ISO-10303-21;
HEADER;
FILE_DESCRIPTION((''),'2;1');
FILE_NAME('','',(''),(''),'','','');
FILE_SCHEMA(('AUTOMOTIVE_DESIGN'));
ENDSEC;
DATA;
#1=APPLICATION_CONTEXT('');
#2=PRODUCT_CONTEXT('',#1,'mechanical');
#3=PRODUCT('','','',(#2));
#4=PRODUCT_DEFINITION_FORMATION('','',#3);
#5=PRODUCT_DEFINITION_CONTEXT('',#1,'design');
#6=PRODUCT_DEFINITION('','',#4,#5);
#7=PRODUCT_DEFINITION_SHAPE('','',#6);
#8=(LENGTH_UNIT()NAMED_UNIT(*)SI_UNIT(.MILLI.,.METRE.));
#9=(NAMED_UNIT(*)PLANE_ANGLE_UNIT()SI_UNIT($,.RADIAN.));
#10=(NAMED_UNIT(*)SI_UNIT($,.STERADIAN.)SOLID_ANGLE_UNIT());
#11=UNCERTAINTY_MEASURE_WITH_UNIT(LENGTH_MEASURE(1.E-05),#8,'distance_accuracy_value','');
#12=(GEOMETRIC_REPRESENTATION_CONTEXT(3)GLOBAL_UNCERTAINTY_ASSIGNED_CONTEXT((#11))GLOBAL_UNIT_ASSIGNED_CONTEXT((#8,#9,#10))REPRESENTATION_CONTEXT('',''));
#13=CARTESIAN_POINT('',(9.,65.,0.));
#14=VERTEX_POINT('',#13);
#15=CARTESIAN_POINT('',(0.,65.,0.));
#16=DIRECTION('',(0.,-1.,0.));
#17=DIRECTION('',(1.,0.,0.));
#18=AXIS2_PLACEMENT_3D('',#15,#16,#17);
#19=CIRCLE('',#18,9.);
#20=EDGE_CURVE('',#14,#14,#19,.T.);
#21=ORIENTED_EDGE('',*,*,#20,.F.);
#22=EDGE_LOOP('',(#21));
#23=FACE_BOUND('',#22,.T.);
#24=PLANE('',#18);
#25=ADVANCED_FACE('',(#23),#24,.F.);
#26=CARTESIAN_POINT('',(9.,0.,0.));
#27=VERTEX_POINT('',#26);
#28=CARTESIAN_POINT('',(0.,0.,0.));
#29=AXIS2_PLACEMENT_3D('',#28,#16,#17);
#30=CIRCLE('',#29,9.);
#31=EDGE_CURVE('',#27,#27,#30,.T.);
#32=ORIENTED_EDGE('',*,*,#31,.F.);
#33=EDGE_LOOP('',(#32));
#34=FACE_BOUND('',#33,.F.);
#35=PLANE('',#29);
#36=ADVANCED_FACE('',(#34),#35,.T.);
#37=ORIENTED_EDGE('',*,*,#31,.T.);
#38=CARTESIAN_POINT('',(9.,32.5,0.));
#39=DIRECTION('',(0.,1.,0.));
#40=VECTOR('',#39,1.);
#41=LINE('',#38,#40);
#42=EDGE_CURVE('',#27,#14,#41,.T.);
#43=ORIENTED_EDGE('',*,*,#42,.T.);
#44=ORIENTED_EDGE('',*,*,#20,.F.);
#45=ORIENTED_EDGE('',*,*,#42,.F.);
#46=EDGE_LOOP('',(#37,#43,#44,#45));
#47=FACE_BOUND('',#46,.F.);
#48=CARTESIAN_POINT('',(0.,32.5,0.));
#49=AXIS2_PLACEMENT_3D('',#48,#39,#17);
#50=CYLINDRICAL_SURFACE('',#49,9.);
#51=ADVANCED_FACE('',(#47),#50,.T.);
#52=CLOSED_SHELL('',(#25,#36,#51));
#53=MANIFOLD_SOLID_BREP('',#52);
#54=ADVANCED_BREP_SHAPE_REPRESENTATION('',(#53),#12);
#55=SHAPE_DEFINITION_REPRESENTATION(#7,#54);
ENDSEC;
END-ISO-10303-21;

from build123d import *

# Parameters (mm, degrees)
ESBO_O1_W = 9
ESBO_O1_H = 65


with BuildPart() as part:
    # Esboço1 → Revolução1 (revolve)
    with BuildSketch(Plane.XY):
        with Locations((4.5, 32.5)):
            Rectangle(ESBO_O1_W, ESBO_O1_H)
    revolve(axis=Axis((0, 65, 0), (0, -1, 0)))


solid = part.part
